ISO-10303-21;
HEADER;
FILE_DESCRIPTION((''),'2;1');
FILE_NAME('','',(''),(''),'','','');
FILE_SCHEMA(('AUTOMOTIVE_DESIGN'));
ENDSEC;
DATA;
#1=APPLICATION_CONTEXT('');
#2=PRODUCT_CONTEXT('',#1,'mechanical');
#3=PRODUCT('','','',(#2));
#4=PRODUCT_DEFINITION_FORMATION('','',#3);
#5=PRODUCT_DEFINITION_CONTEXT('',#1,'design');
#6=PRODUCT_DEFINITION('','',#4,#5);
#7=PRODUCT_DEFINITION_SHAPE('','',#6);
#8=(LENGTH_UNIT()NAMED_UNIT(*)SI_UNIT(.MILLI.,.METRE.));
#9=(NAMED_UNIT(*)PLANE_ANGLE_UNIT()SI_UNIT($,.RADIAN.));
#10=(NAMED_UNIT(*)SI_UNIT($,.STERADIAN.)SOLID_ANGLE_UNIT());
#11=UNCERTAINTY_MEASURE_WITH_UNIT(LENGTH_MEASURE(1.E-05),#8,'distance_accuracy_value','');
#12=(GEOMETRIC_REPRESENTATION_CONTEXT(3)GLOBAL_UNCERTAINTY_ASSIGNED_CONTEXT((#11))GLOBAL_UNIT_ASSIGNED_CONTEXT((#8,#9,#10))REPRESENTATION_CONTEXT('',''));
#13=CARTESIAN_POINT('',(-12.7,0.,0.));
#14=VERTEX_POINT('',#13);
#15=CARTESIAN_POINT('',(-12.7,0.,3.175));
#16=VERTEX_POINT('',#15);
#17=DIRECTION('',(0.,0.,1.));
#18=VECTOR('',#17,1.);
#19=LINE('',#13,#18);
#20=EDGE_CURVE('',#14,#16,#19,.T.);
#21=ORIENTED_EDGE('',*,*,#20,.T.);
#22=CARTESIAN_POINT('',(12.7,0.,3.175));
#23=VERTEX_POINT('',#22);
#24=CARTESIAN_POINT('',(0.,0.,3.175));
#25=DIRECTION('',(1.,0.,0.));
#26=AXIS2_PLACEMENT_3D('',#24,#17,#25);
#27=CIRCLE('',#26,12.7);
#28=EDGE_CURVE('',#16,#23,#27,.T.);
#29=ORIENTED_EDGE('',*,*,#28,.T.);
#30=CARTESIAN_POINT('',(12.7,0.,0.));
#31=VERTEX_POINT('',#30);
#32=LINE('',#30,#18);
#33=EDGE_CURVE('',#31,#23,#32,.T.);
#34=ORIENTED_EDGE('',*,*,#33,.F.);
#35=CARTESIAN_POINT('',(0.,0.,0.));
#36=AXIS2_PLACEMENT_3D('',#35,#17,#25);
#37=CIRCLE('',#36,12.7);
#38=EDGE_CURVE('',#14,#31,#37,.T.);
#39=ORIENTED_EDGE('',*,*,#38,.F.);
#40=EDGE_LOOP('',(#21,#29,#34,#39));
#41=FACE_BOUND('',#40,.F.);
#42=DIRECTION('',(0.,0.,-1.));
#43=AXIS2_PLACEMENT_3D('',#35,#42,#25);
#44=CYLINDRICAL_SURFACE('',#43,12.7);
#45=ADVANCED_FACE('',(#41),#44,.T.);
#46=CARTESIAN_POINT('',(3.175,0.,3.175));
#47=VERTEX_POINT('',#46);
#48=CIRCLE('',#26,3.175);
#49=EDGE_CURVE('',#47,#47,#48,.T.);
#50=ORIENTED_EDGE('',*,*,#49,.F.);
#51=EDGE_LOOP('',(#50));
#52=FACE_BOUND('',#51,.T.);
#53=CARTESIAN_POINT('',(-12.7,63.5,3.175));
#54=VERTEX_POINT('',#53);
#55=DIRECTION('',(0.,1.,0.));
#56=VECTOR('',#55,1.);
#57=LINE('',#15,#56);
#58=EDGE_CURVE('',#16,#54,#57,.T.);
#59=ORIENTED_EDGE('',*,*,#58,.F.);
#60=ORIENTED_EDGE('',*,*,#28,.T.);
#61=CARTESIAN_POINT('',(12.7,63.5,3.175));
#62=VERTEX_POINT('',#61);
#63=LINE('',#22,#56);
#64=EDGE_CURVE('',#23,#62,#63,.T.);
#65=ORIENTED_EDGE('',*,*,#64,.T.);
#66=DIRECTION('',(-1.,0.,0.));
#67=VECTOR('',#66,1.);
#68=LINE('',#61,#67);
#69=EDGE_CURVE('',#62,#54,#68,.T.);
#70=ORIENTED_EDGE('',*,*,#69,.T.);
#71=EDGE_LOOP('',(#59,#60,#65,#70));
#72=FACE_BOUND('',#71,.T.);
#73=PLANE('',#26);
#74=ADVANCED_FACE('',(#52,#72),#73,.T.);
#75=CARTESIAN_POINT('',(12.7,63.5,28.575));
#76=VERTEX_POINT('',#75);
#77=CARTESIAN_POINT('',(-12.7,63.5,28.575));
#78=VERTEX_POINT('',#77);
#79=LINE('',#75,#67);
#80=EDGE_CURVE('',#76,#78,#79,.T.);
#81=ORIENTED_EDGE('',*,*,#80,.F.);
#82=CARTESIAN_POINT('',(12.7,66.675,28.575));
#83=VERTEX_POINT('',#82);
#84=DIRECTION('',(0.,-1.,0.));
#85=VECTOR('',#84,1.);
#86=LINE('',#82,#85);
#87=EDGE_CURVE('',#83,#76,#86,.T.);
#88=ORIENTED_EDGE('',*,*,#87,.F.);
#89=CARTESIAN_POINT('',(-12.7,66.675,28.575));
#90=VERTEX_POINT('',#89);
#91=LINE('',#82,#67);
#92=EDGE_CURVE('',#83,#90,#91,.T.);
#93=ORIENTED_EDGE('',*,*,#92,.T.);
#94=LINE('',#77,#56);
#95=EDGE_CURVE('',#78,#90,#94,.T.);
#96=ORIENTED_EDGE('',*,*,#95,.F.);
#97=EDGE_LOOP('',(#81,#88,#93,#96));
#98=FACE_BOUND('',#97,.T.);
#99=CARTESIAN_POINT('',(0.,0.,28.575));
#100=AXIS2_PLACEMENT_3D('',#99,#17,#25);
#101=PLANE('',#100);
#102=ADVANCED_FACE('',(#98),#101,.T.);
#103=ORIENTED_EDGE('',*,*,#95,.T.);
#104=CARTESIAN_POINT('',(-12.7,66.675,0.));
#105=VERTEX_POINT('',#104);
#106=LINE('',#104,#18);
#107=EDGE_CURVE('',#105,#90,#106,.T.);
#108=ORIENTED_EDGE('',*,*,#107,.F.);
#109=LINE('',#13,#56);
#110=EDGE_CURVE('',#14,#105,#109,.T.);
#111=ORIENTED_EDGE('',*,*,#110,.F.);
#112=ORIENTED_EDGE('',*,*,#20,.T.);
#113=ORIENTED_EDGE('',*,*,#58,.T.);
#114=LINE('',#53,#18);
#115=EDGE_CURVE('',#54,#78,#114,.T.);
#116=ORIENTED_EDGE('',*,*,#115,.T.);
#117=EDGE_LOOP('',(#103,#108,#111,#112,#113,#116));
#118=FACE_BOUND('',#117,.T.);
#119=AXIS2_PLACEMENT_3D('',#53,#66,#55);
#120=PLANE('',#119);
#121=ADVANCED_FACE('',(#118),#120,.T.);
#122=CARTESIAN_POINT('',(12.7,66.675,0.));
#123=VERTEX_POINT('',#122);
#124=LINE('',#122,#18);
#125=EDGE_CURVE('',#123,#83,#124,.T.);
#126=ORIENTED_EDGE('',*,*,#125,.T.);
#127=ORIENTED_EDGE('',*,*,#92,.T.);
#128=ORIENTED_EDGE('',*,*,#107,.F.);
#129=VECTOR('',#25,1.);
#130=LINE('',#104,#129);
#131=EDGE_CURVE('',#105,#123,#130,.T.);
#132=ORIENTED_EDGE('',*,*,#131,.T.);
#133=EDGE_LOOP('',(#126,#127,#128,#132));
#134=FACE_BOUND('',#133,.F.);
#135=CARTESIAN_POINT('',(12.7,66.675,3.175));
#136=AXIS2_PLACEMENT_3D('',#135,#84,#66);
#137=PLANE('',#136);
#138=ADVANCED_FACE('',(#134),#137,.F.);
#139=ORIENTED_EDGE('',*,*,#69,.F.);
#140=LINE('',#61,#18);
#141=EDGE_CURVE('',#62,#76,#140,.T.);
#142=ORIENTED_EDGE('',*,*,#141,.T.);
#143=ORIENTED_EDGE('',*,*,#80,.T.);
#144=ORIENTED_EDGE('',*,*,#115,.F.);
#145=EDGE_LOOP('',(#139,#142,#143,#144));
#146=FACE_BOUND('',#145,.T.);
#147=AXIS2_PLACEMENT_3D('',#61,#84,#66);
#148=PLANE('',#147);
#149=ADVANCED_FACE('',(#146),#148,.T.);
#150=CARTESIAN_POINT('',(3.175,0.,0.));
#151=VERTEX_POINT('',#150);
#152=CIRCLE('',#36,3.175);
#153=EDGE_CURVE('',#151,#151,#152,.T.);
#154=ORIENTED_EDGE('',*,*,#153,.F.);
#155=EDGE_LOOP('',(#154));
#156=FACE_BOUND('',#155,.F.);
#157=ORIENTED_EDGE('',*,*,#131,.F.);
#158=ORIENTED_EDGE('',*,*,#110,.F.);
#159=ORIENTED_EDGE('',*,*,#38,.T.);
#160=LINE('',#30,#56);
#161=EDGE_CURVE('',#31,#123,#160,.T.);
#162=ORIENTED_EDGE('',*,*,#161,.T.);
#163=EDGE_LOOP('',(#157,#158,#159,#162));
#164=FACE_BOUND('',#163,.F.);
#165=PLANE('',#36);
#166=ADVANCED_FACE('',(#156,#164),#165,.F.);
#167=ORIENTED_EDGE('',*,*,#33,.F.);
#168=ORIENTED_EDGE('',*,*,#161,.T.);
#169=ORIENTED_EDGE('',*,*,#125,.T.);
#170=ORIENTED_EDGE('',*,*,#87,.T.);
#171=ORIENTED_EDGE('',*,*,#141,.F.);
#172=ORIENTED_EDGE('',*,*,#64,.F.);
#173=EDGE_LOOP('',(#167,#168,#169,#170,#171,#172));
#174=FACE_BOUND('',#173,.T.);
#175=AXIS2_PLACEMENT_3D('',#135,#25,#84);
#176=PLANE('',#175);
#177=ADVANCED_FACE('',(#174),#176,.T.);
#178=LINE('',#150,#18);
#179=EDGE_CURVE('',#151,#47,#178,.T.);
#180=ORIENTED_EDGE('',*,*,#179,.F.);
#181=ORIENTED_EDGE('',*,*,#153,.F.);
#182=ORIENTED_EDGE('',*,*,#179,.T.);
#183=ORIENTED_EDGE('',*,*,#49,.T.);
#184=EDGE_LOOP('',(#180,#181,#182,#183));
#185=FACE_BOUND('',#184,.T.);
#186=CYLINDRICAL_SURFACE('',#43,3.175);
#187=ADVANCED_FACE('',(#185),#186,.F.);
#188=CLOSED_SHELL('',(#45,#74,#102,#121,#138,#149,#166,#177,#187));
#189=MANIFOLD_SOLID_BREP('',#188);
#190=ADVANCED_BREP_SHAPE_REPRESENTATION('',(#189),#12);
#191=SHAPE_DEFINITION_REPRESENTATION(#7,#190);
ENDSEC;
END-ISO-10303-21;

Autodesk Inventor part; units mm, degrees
ref_plane "YZ Plane" through (0, 0, 0) normal (1, 0, 0) x (0, 1, 0)
ref_plane "XZ Plane" through (0, 0, 0) normal (0, 1, 0) x (-1, 0, 0)
ref_plane "XY Plane" through (0, 0, 0) normal (0, 0, 1) x (1, 0, 0)
sketch "Sketch1" plane through (0, 0, 0) normal (0, 0, 1) x (1, 0, 0)
  circle A0 centre (0, 0) radius 12.7
  line L0 (12.7, 0) -> (12.7, 66.675)
  line L1 (-12.7, 0) -> (-12.7, 66.675)
  line L2 (-12.7, 66.675) -> (12.7, 66.675)
  circle A1 centre (0, 0) radius 3.175
  dimension "d0" = 25.4
  dimension "d1" = 66.675
  dimension "d3" = 6.35
extrude "Extrusion1" add sketch "Sketch1" along normal blind 3.175
sketch "Sketch2" plane through (0, 0, 3.175) normal (0, 0, 1) x (1, 0, 0)
  line L0 (12.7, 66.675) -> (-12.7, 66.675) projected
  line L1 (-12.7, 66.675) -> (12.7, 66.675)
  line L2 (12.7, 66.675) -> (12.7, 63.5)
  line L3 (12.7, 63.5) -> (-12.7, 63.5)
  line L4 (-12.7, 63.5) -> (-12.7, 66.675)
  point P0 (0, 0)
  dimension "d6" = 25.4
  dimension "d7" = 3.175
extrude "Extrusion2" add sketch "Sketch2" along normal blind 25.4
properties part number "Roller holder_CPY"
